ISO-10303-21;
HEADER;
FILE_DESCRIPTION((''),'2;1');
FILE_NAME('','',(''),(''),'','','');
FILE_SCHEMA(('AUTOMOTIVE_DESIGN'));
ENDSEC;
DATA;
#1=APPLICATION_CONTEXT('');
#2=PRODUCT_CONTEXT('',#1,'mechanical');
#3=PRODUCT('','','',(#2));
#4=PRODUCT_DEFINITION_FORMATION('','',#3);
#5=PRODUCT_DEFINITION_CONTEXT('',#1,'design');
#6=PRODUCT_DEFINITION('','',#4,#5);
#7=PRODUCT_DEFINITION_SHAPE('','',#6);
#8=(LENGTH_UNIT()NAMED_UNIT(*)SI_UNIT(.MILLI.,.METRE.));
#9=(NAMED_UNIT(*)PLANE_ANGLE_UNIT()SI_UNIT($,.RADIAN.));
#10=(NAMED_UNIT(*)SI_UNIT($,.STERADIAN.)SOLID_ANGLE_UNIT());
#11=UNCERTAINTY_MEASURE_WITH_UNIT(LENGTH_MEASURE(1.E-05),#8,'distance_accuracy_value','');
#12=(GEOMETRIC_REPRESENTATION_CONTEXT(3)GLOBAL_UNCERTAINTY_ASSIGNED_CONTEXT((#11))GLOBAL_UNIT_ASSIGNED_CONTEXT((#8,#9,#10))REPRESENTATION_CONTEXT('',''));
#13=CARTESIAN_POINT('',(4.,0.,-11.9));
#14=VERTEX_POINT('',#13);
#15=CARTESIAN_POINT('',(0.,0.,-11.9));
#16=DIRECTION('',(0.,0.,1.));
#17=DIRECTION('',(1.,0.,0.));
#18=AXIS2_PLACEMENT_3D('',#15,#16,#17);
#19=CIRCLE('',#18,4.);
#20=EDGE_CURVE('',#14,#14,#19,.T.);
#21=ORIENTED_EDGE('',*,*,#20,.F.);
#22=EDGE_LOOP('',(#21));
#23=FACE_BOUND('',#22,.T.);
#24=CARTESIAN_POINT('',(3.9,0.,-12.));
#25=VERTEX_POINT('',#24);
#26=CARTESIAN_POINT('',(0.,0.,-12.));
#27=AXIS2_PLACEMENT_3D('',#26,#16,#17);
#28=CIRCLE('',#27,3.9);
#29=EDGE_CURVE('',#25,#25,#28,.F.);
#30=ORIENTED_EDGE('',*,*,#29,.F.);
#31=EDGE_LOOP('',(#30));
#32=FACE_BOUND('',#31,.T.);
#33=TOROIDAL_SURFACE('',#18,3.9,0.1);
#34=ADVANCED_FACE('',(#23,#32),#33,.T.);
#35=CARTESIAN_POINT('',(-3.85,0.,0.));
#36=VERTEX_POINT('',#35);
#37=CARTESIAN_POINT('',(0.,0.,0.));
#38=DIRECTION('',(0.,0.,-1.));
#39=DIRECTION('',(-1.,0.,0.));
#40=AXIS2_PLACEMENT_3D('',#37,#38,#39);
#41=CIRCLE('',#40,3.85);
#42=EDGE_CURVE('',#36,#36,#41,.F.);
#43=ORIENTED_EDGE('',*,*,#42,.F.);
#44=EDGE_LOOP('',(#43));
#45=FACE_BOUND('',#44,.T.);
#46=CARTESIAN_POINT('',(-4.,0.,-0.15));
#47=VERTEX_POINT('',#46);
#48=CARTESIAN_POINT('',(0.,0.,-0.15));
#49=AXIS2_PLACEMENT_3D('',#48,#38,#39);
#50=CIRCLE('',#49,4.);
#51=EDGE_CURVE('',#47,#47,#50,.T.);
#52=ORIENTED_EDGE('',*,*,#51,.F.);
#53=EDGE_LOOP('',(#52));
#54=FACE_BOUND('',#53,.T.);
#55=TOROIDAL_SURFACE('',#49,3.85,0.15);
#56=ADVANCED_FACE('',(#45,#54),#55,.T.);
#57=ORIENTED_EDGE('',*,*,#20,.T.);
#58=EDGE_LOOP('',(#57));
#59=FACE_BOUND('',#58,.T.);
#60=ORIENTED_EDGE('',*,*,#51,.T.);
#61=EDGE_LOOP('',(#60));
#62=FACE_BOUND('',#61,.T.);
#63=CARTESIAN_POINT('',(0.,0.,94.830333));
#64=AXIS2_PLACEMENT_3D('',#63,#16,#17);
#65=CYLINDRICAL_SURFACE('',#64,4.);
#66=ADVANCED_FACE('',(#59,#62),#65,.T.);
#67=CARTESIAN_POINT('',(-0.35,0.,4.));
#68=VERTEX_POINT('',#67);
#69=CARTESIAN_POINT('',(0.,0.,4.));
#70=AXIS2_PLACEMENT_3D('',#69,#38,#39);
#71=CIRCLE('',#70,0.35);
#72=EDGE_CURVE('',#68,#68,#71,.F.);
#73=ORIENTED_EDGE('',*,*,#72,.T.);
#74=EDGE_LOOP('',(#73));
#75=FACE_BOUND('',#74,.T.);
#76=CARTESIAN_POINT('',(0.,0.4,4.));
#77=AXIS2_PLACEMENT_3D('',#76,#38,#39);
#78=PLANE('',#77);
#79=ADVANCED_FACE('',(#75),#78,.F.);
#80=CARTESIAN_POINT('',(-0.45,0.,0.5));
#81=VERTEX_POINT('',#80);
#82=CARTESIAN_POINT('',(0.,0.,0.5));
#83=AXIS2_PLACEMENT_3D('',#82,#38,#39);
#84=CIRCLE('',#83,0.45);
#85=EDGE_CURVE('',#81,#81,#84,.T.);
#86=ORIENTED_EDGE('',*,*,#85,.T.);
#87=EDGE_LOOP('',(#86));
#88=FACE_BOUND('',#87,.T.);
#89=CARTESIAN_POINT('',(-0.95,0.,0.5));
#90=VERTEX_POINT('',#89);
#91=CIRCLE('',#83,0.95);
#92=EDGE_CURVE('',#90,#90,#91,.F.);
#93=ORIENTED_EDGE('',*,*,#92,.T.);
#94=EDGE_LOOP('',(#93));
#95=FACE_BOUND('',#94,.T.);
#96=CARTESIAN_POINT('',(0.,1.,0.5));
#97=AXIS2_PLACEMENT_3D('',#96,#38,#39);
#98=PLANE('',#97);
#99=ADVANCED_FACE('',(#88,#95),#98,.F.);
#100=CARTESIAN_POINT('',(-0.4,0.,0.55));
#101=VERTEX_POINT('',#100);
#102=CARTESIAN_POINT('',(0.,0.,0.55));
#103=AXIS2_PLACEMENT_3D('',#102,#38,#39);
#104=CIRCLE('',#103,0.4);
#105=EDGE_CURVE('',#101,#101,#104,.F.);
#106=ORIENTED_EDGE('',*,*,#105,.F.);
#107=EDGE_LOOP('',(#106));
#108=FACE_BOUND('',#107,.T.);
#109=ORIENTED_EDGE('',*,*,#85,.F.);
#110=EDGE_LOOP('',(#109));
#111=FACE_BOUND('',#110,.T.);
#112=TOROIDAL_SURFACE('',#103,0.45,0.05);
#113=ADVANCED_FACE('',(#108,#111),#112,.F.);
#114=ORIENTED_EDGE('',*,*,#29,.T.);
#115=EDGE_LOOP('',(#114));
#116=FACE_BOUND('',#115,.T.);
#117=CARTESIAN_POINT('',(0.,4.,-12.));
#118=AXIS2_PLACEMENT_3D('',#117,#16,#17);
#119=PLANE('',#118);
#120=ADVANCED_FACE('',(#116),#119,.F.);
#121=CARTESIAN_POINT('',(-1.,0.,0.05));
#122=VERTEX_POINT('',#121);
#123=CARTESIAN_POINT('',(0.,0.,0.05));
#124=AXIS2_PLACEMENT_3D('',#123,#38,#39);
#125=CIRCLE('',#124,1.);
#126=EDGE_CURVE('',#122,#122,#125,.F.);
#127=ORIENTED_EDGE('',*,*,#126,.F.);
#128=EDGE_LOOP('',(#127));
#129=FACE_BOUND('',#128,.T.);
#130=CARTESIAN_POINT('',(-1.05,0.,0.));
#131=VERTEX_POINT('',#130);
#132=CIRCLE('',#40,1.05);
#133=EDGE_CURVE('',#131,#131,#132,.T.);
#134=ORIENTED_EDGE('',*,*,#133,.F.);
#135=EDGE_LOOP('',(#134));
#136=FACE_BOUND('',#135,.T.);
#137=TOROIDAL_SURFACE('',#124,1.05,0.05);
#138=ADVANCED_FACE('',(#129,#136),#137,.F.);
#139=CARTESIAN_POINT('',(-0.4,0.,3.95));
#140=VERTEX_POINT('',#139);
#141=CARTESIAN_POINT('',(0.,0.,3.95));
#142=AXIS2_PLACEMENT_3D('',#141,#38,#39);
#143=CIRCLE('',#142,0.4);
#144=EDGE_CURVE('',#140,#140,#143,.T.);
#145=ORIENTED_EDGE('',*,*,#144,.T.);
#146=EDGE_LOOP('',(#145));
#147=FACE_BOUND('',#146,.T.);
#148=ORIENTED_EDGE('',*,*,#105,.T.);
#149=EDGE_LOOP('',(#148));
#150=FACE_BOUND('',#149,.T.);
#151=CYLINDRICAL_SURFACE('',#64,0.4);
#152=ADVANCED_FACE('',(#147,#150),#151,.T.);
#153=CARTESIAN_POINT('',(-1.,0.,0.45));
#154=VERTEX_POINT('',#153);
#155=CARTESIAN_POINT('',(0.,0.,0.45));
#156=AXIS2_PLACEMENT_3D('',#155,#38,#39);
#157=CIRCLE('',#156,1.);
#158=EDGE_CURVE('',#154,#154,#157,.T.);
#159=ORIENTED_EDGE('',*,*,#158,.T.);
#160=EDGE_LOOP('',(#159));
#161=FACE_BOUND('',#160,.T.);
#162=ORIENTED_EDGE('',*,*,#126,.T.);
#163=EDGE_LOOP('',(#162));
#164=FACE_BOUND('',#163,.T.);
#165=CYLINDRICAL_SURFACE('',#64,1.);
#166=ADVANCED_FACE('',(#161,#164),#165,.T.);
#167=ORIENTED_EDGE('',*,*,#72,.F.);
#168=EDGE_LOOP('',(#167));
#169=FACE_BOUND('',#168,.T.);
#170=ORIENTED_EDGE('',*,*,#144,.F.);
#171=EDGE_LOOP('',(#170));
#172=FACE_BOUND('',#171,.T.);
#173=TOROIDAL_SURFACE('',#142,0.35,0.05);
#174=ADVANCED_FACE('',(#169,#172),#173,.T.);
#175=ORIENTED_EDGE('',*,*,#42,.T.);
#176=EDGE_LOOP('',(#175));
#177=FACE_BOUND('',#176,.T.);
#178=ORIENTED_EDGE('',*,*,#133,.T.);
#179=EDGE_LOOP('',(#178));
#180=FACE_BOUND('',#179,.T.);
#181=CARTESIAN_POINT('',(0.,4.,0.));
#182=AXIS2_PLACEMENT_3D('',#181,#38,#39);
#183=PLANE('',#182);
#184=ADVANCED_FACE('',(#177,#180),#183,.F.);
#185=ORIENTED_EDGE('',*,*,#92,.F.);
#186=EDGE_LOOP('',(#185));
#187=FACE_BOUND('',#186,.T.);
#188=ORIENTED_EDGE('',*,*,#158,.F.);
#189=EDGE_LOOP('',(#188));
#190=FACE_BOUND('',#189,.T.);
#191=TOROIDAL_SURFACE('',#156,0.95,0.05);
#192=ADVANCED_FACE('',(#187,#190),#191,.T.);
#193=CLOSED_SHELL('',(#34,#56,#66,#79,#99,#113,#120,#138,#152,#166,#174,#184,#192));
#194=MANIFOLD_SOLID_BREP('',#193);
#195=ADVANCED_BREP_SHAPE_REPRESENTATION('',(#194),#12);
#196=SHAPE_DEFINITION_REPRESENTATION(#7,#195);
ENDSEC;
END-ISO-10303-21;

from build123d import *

# Parameters (mm, degrees)
FILLET1_R = 0.05
FILLET3_R = 0.15
FILLET4_R = 0.1


with BuildPart() as part:
    # Sketch1 → Revolve1 (revolve)
    with BuildSketch(Plane(origin=(0, 0, 0), x_dir=(0, 0, -1), z_dir=(1, 0, 0)), mode=Mode.PRIVATE) as revolve1_sk:
        Polygon((0, 4), (12, 4), (12, 0), (-4, 0), (-4, 0.4), (-0.5, 0.4), (-0.5, 1), (0, 1), align=None)
    revolve(revolve1_sk.sketch.rotate(Axis((0, 0, 94.83033259), (0, 0, -1)), 90), axis=Axis((0, 0, 94.83033259), (0, 0, -1)))

    # Fillet1
    fillet1_edges = [part.edges().sort_by_distance(p)[0] for p in [
        (-1, 0, 0),
        (-1, 0, 0.5),
        (-0.4, 0, 0.5),
        (-0.4, 0, 4),
    ]]
    fillet(fillet1_edges, radius=FILLET1_R)

    # Fillet3
    fillet3_edges = [part.edges().sort_by_distance(p)[0] for p in [
        (-4, 0, 0),
    ]]
    fillet(fillet3_edges, radius=FILLET3_R)

    # Fillet4
    fillet4_edges = [part.edges().sort_by_distance(p)[0] for p in [
        (-4, 0, -12),
    ]]
    fillet(fillet4_edges, radius=FILLET4_R)


solid = part.part
